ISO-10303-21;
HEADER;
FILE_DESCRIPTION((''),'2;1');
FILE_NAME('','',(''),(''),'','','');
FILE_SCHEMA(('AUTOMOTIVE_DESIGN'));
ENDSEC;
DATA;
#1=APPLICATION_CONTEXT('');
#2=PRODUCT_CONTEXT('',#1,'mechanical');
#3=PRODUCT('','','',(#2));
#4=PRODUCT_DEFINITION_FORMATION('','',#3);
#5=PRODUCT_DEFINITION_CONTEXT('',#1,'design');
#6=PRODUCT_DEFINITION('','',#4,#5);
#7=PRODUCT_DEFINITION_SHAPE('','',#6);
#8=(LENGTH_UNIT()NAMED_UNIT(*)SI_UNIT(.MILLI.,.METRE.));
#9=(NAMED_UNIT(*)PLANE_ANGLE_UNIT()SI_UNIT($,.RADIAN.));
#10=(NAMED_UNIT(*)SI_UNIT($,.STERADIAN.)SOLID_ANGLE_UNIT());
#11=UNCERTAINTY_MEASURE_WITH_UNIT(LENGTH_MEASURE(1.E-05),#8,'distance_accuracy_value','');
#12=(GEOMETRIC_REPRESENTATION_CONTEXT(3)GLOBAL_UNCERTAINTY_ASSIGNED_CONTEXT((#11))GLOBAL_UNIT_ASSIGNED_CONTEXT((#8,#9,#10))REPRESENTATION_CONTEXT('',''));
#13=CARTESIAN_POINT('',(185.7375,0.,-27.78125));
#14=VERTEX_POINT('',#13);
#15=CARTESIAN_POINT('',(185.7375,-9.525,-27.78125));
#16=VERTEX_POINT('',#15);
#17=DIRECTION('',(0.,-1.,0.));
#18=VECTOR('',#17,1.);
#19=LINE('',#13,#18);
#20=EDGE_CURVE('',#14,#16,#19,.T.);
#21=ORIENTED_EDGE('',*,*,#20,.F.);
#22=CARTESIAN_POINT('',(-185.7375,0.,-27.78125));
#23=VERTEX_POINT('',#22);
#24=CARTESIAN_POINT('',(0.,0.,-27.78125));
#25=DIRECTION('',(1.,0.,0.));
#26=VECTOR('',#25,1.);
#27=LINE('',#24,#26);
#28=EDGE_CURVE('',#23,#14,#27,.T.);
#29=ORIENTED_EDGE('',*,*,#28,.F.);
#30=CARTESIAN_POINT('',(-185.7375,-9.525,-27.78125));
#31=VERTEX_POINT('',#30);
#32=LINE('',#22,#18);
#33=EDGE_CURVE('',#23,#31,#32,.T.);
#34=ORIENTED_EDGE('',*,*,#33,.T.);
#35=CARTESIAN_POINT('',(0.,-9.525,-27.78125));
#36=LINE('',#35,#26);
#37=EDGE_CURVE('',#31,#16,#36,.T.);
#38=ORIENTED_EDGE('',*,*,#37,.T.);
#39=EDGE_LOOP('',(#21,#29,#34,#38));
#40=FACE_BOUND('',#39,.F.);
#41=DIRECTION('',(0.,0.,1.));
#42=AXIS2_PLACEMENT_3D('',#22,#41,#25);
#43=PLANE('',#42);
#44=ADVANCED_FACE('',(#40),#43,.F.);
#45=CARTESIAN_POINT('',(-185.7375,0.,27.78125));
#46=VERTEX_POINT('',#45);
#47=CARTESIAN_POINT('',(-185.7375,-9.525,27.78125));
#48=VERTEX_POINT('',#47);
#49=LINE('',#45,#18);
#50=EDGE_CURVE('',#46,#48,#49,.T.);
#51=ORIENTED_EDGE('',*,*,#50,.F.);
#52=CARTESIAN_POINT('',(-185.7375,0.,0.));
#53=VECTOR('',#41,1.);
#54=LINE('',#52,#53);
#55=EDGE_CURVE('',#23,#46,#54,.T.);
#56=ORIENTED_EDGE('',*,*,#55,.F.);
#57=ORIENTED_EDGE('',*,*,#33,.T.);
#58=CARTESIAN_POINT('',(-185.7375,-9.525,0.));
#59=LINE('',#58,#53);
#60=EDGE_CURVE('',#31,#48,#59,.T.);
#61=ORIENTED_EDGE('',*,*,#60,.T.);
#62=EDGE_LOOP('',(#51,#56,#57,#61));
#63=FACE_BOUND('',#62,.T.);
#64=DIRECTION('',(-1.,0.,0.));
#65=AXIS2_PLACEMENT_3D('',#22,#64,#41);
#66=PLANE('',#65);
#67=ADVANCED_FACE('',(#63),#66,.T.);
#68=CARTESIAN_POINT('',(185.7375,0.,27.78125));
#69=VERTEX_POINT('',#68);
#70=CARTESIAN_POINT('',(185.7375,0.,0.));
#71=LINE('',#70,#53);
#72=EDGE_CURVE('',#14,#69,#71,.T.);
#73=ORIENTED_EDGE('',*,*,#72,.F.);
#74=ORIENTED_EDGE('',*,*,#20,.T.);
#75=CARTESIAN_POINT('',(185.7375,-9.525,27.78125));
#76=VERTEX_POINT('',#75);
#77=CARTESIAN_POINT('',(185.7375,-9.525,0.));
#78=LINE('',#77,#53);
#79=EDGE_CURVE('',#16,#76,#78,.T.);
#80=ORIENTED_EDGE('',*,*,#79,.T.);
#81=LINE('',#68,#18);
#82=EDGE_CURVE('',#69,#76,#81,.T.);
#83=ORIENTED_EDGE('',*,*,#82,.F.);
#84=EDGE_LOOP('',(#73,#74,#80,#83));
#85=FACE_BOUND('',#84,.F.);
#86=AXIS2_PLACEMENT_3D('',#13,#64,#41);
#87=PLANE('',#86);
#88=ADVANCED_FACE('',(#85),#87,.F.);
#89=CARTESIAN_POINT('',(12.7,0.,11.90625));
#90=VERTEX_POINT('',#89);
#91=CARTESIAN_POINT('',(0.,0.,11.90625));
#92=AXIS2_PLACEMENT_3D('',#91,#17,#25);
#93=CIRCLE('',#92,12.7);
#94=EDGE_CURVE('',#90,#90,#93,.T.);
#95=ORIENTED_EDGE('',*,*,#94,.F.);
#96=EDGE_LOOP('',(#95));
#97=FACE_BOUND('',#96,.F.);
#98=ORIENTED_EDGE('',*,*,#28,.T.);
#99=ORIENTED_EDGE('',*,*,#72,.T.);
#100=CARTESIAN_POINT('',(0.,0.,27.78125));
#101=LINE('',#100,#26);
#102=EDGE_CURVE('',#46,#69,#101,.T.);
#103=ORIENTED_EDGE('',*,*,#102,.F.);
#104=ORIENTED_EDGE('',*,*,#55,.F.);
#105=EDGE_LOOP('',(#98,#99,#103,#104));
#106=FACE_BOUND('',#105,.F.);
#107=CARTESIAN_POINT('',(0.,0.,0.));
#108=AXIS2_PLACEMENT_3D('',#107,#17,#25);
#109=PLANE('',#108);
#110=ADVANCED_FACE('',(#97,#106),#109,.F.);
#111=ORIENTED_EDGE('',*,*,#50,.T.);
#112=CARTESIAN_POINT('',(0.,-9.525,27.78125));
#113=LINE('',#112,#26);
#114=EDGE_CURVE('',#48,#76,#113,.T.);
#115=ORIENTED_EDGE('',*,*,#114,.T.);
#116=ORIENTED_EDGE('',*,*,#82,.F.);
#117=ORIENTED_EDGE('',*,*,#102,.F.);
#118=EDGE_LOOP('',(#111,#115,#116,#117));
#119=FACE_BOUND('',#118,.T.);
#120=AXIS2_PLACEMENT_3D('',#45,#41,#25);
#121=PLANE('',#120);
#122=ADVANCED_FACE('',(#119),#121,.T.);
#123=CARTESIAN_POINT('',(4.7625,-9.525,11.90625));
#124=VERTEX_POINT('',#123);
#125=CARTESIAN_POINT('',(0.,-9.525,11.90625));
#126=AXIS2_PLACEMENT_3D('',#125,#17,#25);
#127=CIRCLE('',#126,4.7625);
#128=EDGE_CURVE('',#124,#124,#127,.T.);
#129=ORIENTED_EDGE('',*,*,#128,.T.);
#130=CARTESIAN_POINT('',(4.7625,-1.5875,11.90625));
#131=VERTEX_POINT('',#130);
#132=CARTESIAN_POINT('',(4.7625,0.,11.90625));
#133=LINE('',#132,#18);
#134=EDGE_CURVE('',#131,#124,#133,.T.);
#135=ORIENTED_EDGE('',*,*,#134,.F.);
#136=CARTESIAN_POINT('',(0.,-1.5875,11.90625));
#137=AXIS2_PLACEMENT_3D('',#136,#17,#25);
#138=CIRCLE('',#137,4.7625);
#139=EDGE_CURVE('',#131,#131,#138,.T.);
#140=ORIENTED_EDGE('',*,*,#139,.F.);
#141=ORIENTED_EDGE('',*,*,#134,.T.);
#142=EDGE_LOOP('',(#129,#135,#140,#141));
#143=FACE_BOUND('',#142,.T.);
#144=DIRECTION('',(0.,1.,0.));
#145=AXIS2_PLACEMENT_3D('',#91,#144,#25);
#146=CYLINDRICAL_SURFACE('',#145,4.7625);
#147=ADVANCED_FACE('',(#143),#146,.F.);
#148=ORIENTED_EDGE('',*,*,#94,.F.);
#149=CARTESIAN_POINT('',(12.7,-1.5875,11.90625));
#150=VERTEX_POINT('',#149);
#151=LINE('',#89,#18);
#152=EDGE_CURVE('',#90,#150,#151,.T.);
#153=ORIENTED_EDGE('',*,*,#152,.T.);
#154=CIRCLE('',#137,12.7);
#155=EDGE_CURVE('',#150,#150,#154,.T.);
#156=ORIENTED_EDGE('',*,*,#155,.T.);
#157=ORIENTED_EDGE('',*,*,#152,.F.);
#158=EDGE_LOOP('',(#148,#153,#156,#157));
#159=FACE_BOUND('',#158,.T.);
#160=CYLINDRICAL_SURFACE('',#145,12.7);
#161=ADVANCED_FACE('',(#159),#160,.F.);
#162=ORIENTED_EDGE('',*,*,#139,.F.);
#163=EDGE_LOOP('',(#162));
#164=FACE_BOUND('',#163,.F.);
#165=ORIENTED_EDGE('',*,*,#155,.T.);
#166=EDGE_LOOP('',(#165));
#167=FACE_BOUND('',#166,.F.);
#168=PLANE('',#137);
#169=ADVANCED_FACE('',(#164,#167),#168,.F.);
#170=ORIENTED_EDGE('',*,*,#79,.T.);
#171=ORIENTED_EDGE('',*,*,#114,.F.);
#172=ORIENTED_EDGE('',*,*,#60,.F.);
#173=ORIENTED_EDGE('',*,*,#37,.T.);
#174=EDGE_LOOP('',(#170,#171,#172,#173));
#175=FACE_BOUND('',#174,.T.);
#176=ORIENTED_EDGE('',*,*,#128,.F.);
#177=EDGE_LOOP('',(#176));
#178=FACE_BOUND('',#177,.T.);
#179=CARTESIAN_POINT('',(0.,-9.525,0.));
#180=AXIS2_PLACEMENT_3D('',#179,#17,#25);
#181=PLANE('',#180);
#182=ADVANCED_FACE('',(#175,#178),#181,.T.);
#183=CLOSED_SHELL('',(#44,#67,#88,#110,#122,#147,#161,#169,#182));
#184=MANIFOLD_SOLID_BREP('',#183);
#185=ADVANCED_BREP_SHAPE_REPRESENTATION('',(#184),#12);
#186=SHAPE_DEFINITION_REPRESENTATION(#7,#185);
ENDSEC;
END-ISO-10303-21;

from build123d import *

# Parameters (mm, degrees)
F0_W     = 371.475
F0_H     = 55.5625
F0_R     = 12.7
F0_R_2   = 4.7625
F1_DEPTH = 9.525
F2_DEPTH = 1.5875


with BuildPart() as f1:
    # F0 (on Front) → F1 (new body)
    with BuildSketch(Plane.XZ):
        Rectangle(F0_W, F0_H)
        with Locations((0, 11.90625)):
            Circle(F0_R, mode=Mode.SUBTRACT)
        with Locations((0, 11.90625)):
            Circle(F0_R)
        with Locations((0, 11.90625)):
            Circle(F0_R_2, mode=Mode.SUBTRACT)
    extrude(amount=F1_DEPTH)

    # F0 (on Front) → F2 (cut)
    with BuildSketch(Plane.XZ):
        with Locations((0, 11.90625)):
            Circle(F0_R)
        with Locations((0, 11.90625)):
            Circle(F0_R_2, mode=Mode.SUBTRACT)
    extrude(amount=F2_DEPTH, mode=Mode.SUBTRACT)


solid = f1.part
